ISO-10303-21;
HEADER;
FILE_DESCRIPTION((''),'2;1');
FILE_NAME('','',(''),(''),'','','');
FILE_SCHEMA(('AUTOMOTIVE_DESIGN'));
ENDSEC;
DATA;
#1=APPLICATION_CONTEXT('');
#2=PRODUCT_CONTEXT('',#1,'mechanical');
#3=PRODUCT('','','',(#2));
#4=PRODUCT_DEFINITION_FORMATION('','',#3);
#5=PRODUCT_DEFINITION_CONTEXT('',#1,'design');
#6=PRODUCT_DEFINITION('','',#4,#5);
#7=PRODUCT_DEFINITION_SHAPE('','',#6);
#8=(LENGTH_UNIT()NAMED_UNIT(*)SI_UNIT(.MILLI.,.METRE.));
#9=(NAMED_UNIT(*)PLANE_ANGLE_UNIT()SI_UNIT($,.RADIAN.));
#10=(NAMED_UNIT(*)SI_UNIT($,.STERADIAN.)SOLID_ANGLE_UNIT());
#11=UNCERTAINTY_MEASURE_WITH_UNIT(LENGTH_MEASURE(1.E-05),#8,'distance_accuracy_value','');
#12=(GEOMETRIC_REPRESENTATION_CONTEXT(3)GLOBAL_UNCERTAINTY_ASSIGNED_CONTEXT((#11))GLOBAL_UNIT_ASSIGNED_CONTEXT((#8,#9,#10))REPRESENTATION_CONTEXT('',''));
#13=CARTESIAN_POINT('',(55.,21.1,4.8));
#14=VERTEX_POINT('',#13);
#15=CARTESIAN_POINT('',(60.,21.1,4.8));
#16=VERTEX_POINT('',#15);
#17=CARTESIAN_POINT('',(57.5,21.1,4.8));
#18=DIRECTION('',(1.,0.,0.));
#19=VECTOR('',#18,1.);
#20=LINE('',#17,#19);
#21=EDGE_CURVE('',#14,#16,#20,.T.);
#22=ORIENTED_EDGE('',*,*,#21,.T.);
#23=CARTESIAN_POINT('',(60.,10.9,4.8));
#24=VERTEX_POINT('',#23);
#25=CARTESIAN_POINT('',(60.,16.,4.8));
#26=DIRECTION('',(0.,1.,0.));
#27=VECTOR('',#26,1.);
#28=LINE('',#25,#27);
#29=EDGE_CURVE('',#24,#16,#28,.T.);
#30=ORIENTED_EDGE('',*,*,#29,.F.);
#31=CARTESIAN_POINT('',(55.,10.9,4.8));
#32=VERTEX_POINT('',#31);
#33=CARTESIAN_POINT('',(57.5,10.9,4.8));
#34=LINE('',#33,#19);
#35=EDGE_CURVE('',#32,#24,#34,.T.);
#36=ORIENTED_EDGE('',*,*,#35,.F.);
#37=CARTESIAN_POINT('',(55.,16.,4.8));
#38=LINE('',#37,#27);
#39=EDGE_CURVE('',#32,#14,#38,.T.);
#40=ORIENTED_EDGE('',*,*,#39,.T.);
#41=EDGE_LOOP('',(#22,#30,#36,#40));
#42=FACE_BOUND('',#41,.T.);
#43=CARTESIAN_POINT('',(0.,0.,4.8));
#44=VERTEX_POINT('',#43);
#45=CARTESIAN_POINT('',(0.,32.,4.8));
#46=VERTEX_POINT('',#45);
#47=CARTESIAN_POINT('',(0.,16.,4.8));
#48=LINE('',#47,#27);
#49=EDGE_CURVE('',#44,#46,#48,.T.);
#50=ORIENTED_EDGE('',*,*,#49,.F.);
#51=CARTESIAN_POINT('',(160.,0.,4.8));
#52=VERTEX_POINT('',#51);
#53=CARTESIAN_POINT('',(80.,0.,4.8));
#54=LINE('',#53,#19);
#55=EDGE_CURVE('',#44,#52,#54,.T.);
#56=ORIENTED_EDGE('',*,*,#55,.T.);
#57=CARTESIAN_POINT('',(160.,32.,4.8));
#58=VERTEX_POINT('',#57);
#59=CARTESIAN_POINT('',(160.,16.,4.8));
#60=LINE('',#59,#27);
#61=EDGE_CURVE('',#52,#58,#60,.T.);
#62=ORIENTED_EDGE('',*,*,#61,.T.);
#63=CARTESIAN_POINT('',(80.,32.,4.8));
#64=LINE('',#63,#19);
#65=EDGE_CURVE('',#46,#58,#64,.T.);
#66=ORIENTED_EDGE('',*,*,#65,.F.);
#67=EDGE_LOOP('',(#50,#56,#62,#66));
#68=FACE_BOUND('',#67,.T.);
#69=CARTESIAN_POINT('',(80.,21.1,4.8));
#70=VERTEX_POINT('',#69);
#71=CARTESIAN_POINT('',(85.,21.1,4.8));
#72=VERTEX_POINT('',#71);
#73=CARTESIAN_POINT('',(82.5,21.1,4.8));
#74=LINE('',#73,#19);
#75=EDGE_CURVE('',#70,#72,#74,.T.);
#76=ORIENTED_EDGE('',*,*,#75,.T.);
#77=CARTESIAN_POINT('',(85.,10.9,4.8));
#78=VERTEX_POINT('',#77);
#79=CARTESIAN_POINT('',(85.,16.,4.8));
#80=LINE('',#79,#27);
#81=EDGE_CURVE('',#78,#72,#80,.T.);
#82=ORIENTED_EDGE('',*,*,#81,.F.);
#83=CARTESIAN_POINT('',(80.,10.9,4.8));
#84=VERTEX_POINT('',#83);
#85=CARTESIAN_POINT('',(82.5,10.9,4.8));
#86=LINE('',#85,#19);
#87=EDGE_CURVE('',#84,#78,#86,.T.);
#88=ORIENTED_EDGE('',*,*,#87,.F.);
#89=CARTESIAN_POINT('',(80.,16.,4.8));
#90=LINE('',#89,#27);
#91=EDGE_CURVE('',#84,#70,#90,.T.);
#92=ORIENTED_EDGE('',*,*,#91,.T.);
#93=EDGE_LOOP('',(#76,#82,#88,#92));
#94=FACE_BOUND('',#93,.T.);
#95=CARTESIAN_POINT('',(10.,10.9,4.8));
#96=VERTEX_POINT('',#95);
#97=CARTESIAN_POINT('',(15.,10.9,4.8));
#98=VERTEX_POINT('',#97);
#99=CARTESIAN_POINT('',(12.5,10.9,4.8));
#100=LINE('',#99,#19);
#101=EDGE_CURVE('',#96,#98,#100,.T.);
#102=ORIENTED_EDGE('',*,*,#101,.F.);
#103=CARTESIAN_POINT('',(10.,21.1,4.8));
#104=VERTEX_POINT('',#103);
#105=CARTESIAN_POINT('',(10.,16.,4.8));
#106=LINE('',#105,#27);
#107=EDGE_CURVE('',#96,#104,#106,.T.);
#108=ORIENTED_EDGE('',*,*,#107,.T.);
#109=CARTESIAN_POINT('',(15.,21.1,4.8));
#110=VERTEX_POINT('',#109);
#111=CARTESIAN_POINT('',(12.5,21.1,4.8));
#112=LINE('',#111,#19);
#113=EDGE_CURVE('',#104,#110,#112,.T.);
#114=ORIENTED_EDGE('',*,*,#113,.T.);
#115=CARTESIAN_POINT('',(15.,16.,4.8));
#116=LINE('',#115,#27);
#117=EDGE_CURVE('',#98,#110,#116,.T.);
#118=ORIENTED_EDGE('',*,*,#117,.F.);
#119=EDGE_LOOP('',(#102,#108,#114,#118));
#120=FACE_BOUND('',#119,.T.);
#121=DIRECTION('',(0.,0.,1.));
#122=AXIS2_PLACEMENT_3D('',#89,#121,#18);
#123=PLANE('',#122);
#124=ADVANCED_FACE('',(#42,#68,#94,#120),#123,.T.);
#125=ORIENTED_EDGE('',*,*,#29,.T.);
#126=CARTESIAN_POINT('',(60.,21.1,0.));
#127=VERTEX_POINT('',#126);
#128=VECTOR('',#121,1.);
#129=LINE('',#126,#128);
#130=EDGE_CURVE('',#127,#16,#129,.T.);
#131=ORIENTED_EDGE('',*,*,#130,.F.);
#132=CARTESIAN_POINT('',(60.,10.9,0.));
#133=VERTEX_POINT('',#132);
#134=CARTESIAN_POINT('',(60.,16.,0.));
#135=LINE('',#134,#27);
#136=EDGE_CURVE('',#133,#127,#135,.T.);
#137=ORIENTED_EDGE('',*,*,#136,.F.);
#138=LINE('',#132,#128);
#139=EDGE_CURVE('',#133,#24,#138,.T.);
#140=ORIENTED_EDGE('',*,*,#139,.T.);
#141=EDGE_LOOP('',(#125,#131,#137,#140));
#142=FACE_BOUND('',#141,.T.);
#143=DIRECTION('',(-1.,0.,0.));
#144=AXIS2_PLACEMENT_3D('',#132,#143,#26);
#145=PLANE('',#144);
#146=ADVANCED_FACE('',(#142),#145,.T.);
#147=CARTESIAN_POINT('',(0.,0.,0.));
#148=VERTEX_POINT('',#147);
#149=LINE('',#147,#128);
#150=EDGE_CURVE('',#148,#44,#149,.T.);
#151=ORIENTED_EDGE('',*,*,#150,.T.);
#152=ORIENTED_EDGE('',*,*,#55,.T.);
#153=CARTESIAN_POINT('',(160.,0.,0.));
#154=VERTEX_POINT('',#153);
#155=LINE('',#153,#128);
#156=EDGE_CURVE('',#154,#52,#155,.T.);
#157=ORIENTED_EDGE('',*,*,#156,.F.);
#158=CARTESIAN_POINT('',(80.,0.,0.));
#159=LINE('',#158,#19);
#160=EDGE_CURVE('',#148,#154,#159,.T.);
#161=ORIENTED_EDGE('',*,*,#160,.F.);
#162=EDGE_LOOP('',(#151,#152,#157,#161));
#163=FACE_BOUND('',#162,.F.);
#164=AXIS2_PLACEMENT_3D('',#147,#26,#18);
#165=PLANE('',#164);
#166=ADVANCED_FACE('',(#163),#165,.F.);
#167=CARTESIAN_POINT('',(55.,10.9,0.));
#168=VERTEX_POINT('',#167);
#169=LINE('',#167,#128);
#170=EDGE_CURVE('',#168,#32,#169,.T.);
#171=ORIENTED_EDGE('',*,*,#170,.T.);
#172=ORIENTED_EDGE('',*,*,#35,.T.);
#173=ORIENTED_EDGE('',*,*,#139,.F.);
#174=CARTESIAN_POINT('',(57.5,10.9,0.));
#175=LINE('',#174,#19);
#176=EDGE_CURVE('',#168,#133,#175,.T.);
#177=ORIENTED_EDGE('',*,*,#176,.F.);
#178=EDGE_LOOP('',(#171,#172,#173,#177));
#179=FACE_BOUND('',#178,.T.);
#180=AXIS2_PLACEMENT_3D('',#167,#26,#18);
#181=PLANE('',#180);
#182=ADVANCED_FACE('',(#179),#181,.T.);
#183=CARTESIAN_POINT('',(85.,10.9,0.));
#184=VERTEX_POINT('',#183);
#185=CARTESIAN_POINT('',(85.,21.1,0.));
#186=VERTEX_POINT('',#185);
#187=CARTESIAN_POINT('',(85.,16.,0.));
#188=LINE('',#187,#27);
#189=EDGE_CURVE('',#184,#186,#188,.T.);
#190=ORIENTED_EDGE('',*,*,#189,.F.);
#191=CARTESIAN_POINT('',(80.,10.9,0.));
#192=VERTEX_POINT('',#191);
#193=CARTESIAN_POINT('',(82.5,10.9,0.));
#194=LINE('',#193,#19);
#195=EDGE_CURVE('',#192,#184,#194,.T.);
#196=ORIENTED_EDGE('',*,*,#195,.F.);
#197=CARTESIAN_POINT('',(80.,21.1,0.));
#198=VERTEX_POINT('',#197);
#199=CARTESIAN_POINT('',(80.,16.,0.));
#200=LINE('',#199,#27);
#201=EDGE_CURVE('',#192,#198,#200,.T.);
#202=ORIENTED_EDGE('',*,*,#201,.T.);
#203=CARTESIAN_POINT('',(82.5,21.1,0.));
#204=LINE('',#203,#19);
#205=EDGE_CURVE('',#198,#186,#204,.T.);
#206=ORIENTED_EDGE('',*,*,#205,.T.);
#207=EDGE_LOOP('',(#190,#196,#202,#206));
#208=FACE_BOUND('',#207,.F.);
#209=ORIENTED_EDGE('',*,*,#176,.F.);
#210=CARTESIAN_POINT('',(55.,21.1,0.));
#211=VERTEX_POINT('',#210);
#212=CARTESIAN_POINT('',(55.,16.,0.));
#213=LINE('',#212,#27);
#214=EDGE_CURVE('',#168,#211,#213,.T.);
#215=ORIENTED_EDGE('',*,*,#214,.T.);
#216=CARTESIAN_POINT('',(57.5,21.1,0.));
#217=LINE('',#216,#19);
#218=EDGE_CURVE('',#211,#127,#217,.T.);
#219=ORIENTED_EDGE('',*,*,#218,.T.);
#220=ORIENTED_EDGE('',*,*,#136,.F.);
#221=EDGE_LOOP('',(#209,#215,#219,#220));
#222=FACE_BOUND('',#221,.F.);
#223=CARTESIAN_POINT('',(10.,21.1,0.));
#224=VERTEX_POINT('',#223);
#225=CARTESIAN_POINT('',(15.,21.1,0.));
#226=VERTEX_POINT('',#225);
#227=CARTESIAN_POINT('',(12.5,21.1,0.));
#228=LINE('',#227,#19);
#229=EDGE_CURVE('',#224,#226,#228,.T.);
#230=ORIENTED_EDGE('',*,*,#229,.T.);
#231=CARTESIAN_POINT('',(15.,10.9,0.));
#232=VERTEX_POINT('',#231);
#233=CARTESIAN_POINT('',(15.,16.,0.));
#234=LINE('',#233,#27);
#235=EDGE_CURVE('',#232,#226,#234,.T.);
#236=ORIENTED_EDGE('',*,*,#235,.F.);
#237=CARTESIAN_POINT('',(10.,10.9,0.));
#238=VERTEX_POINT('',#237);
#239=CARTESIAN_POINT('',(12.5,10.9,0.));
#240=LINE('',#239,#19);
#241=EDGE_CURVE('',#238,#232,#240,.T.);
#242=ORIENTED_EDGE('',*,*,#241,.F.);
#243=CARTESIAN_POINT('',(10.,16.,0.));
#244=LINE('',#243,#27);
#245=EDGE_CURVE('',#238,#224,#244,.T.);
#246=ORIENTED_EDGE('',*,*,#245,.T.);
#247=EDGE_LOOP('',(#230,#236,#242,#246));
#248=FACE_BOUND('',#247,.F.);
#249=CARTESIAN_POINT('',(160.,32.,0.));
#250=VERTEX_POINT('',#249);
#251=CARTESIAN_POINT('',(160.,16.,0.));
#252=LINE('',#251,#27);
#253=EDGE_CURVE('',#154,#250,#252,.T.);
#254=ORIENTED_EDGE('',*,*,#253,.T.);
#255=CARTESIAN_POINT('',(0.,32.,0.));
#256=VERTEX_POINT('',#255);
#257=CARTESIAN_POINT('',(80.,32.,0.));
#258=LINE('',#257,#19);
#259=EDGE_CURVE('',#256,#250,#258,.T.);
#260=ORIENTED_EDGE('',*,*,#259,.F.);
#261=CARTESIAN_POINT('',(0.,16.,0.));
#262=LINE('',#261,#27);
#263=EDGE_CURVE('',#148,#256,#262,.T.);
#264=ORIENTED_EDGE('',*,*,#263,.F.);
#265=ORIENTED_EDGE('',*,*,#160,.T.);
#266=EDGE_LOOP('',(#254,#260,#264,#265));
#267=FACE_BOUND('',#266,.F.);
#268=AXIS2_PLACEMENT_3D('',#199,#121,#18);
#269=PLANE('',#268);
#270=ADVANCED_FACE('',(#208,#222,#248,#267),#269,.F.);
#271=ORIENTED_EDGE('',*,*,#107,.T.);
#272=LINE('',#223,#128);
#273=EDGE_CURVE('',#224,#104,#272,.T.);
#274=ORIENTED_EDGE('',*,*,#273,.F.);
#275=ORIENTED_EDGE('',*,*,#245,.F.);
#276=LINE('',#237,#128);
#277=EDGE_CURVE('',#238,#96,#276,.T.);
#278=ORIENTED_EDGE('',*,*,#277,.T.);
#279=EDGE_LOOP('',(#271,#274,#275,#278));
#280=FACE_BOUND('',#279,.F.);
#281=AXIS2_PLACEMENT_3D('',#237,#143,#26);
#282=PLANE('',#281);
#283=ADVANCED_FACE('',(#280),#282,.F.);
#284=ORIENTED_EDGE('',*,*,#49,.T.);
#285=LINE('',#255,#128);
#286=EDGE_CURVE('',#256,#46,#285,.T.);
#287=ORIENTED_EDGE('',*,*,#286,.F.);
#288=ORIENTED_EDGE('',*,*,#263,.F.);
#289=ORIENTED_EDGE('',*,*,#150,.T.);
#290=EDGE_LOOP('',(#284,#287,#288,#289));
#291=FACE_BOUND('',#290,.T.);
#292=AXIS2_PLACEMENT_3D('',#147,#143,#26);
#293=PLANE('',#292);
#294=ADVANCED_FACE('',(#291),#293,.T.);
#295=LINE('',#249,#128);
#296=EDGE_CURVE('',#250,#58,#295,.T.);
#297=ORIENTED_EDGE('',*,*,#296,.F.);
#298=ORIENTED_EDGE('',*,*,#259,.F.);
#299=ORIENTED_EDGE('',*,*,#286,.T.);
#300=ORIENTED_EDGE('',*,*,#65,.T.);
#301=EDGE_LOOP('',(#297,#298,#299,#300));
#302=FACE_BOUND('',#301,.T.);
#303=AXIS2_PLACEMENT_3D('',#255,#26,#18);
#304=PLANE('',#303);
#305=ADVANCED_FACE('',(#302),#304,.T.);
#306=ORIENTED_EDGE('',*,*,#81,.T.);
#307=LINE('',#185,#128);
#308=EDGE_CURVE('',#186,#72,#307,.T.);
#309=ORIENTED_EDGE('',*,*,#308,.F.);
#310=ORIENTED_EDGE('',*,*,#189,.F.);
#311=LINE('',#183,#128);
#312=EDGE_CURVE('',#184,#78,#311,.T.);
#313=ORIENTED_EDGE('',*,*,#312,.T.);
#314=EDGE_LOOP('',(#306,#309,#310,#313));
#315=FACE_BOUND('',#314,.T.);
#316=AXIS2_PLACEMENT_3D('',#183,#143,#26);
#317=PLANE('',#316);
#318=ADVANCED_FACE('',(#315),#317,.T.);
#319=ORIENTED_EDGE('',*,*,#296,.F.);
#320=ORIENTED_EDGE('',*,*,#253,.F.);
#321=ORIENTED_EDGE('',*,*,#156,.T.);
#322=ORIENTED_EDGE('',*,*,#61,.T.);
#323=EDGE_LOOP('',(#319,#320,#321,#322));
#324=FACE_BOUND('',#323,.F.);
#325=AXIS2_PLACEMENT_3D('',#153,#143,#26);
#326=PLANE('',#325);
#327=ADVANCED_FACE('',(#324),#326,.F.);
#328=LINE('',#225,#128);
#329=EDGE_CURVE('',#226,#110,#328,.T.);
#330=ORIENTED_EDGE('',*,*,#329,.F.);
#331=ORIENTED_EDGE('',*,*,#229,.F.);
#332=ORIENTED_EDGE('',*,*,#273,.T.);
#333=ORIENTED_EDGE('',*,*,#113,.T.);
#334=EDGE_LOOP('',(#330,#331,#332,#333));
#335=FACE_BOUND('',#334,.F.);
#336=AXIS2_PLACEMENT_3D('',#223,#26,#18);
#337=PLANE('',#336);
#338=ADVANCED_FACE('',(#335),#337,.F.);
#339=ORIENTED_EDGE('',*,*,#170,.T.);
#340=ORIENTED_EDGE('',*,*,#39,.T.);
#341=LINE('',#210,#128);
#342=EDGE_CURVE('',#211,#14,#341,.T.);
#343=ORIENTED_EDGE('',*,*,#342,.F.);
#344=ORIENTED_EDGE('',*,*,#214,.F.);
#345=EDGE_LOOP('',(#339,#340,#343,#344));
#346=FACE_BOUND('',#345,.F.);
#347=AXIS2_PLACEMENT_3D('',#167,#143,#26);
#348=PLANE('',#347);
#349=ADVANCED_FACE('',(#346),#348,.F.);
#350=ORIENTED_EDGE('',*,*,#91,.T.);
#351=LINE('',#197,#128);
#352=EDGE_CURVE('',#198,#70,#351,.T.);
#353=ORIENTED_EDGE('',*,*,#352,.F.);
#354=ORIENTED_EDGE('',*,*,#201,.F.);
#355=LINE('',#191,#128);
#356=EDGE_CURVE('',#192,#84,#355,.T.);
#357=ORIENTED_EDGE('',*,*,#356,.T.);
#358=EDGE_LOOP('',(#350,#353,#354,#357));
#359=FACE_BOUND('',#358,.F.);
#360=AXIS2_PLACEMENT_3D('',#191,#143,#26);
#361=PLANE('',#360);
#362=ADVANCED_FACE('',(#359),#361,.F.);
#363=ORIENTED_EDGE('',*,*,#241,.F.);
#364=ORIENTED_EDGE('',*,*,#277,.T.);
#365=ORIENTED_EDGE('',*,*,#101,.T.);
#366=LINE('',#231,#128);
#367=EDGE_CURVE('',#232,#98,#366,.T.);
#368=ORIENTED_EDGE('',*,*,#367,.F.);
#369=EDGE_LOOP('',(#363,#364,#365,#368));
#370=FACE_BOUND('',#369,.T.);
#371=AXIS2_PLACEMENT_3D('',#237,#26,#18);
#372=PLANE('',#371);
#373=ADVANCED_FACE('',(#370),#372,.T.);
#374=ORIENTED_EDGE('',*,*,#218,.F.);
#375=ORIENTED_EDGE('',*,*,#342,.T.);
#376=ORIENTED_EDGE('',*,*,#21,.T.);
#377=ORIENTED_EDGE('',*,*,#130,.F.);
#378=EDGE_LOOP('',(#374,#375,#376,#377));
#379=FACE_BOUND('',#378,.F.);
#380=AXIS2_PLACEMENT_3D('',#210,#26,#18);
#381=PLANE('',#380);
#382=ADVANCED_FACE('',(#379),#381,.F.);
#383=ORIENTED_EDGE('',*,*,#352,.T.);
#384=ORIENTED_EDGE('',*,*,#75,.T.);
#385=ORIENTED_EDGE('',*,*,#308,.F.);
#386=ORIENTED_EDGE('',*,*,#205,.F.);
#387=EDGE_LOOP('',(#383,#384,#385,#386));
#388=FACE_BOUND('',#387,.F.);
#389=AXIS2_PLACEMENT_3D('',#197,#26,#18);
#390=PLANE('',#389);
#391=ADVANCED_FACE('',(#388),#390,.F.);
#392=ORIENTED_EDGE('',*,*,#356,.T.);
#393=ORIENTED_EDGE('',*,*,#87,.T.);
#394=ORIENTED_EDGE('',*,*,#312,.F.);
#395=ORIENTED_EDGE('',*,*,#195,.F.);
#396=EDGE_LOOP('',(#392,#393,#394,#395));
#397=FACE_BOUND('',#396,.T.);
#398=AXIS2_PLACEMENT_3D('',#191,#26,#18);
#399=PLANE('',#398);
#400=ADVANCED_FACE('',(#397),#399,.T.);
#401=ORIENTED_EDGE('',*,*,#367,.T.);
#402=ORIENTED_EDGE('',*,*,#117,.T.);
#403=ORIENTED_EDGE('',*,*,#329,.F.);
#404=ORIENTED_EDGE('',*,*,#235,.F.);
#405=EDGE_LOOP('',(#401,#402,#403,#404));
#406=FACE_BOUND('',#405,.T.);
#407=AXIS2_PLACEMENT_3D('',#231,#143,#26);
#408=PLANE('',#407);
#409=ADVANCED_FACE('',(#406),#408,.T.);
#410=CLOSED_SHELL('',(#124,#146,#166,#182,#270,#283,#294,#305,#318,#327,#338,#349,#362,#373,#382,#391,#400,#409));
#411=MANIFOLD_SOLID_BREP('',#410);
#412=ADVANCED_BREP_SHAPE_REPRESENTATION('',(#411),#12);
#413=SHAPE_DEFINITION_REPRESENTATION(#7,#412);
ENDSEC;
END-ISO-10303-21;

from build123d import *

# Parameters (mm, degrees)
F0_W     = 160
F0_H     = 32
F0_W_2   = 5
F0_H_2   = 10.2
F1_DEPTH = 4.8


with BuildPart() as f1:
    # F0 (on Top) → F1 (new body)
    with BuildSketch(Plane.XY):
        with Locations((80, 16)):
            Rectangle(F0_W, F0_H)
        with Locations((12.5, 16)):
            Rectangle(F0_W_2, F0_H_2, mode=Mode.SUBTRACT)
        with Locations((57.5, 16)):
            Rectangle(F0_W_2, F0_H_2, mode=Mode.SUBTRACT)
        with Locations((82.5, 16)):
            Rectangle(F0_W_2, F0_H_2, mode=Mode.SUBTRACT)
    extrude(amount=F1_DEPTH)


solid = f1.part
